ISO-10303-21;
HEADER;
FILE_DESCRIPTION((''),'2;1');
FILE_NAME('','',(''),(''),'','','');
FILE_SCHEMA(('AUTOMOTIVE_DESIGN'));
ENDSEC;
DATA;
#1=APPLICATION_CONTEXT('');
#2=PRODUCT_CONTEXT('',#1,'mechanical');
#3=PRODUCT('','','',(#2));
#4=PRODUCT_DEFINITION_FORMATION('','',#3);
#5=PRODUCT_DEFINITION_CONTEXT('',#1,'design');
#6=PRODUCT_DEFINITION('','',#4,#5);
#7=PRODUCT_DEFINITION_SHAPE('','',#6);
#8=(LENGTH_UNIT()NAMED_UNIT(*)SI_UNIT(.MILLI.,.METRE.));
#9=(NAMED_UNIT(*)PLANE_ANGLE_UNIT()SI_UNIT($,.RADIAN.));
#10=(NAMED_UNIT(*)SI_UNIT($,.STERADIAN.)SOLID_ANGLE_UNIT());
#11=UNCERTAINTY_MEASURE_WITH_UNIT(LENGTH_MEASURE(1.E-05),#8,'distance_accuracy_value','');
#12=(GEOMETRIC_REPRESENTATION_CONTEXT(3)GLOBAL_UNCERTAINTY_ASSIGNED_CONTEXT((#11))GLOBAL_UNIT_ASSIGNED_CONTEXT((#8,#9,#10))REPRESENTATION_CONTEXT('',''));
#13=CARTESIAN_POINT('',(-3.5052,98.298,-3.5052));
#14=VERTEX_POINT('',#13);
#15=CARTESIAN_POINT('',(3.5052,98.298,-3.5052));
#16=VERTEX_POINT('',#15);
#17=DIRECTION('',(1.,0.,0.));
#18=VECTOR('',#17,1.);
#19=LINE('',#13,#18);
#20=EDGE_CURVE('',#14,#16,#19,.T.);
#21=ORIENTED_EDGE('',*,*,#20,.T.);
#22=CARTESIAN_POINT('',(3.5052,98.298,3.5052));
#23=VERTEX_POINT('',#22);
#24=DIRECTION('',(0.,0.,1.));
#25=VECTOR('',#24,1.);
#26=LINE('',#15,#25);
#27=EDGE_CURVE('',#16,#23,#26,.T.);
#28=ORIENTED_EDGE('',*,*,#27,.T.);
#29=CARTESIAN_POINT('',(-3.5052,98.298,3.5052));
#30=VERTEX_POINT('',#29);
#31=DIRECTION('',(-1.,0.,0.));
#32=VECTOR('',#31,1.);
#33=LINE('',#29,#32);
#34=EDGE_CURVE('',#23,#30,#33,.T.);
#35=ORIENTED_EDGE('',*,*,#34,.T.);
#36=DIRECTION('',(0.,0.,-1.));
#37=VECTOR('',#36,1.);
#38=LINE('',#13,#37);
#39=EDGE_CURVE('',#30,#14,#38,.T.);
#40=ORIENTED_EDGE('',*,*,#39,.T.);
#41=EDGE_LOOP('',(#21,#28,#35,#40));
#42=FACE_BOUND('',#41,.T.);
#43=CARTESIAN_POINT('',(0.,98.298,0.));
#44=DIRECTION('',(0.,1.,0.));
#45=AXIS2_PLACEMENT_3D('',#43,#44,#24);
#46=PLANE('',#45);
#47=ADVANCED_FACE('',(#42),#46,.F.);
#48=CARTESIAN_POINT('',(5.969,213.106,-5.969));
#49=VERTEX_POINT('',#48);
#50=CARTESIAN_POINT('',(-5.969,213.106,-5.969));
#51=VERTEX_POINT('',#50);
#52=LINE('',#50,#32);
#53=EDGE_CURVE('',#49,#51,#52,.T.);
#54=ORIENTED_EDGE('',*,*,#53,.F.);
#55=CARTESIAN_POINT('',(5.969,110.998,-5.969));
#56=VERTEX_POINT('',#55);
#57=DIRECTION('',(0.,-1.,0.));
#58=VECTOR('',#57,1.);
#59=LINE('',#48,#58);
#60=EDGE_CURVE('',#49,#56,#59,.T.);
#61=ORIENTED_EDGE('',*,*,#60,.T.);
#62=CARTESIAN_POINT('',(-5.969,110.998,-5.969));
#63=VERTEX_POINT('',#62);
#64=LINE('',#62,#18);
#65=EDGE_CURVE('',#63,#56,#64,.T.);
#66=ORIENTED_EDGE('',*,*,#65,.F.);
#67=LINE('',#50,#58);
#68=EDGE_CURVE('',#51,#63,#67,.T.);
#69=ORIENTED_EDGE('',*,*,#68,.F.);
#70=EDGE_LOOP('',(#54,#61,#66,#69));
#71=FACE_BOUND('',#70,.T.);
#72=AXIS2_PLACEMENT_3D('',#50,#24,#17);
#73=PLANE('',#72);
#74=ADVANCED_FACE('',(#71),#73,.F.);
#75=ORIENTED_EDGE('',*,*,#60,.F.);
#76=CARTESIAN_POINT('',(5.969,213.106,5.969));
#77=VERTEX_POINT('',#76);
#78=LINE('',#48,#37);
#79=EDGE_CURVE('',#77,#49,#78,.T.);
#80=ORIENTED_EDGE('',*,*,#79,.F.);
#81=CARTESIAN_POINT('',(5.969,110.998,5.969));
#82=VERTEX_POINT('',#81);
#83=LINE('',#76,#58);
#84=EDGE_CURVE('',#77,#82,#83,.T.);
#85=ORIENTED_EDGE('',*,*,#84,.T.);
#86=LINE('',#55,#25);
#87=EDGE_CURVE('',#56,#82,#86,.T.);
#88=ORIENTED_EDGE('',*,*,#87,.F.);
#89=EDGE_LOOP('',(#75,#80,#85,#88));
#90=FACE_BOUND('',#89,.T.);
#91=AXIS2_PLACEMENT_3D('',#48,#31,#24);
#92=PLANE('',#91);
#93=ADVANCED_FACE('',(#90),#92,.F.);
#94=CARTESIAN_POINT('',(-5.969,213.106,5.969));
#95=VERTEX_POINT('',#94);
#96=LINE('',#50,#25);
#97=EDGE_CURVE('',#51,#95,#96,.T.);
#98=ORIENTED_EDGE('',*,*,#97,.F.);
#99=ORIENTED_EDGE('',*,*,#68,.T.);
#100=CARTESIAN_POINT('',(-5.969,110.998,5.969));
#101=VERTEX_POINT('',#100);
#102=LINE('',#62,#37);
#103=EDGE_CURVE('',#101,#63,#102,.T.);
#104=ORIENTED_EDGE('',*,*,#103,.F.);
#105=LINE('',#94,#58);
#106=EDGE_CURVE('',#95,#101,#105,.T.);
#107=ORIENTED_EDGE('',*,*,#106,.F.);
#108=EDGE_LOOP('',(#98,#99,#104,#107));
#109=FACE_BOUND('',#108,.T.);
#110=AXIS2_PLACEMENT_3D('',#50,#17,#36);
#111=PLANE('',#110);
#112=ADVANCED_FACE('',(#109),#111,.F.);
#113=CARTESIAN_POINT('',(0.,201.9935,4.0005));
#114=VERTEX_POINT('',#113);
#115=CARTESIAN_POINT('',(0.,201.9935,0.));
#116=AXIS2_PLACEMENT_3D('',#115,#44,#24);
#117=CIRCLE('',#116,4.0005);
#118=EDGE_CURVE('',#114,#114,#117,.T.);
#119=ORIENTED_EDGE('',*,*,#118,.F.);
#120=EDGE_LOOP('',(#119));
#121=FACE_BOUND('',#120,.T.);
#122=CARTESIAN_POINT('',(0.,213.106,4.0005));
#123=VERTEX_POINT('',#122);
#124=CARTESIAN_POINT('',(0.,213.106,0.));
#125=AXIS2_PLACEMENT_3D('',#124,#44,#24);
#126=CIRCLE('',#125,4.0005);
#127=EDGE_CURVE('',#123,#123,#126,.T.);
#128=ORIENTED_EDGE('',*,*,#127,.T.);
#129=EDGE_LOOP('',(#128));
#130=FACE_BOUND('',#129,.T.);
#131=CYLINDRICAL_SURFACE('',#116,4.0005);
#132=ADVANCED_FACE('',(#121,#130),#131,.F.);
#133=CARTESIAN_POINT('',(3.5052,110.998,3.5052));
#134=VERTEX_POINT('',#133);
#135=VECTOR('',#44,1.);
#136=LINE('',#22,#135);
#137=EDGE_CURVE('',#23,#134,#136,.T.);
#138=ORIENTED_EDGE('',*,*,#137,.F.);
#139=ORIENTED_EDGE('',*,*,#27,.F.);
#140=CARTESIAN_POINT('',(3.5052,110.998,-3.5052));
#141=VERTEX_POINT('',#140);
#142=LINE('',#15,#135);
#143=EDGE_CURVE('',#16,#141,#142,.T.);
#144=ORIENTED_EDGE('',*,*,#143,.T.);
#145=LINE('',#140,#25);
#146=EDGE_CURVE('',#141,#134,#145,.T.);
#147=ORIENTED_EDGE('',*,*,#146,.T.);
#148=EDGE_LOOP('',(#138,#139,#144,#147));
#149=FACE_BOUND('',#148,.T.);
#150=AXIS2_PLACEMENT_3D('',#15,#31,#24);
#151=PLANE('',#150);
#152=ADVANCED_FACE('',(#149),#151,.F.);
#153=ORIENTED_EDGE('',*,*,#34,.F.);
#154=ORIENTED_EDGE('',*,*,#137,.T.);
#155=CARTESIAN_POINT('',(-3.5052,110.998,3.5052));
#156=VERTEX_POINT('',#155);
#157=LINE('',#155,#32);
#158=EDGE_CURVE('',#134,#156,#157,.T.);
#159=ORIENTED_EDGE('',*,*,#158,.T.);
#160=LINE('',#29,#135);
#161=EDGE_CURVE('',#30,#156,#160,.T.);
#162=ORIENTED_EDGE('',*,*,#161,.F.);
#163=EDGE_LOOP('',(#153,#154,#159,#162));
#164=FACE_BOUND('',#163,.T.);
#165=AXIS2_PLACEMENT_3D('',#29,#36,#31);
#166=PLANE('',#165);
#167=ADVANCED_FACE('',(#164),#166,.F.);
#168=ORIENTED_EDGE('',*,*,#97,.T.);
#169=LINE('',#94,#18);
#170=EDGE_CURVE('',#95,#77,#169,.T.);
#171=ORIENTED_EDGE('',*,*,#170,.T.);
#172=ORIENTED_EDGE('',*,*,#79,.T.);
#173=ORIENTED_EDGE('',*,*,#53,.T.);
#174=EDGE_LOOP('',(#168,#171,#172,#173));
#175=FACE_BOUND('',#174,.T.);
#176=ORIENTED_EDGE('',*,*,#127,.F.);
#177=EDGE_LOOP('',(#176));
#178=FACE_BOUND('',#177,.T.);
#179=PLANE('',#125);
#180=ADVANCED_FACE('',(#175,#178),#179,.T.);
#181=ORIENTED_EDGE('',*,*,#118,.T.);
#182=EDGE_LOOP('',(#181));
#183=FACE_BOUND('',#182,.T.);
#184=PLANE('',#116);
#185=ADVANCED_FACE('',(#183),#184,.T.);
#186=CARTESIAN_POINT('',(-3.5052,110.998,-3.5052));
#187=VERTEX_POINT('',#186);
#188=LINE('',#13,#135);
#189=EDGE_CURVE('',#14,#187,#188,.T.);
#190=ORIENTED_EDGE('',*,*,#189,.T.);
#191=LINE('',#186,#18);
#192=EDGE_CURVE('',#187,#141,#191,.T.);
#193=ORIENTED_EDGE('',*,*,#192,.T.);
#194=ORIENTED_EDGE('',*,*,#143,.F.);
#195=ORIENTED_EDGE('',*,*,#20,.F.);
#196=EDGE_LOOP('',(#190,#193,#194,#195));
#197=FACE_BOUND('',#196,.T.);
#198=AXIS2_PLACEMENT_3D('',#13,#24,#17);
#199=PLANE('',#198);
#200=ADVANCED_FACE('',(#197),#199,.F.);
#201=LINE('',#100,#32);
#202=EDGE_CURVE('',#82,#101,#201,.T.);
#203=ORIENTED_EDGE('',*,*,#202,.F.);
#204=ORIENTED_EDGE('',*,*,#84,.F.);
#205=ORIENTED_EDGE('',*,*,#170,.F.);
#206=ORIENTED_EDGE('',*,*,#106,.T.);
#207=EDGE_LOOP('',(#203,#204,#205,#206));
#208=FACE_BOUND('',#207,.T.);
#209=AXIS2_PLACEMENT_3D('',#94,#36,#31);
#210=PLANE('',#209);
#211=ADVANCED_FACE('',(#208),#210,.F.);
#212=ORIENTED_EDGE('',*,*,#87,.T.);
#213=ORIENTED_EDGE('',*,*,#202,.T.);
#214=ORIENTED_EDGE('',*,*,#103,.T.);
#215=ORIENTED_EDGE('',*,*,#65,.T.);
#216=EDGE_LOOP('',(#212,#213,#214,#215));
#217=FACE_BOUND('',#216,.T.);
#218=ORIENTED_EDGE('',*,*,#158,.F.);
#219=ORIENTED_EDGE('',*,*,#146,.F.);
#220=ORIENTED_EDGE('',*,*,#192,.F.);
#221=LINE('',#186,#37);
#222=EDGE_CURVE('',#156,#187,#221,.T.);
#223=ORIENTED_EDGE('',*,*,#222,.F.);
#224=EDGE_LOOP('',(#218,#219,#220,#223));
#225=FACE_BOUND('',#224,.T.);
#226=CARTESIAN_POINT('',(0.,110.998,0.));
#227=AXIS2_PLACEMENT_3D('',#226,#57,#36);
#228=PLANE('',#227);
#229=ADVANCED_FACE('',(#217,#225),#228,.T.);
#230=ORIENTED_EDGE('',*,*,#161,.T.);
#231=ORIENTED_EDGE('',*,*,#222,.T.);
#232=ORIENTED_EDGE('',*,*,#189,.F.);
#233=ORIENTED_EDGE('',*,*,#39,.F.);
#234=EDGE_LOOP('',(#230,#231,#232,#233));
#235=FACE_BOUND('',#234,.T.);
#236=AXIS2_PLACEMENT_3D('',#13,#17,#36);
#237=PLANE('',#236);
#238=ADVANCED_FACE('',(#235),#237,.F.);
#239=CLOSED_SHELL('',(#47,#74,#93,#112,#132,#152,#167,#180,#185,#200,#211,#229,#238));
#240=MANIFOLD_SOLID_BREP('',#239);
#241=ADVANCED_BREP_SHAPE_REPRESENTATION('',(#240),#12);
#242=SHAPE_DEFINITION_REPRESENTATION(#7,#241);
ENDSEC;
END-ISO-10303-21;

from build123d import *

# Parameters (mm, degrees)
SKETCH1_W           = 11.938
SKETCH1_H           = 11.938
BOSS_EXTRUDE1_DEPTH = 213.106
SKETCH3_R           = 3.68046
BOSS_EXTRUDE3_DEPTH = 28.575
SKETCH5_R           = 9.137508411
CUT_EXTRUDE1_DEPTH  = 139.573
SKETCH6_W           = 7.0104
SKETCH6_H           = 7.0104
BOSS_EXTRUDE5_DEPTH = 12.7
SKETCH2_R           = 4.0005
CUT_EXTRUDE2_DEPTH  = 11.1125


with BuildPart() as part:
    # Sketch1 → Boss-Extrude1 (new body)
    with BuildSketch(Plane(origin=(0, 0, 0), x_dir=(1, 0, 0), z_dir=(0, 1, 0))):
        Rectangle(SKETCH1_W, SKETCH1_H)
    extrude(amount=BOSS_EXTRUDE1_DEPTH)

    # Sketch3 → Boss-Extrude3 (add)
    with BuildSketch(Plane(origin=(0, 0, 0), x_dir=(-1, 0, 0), z_dir=(0, -1, 0))):
        Circle(SKETCH3_R)
    extrude(amount=BOSS_EXTRUDE3_DEPTH)

    # Sketch5 → Cut-Extrude1 (cut)
    with BuildSketch(Plane(origin=(0, -28.575, 0), x_dir=(-1, 0, 0), z_dir=(0, -1, 0))):
        Circle(SKETCH5_R)
    extrude(amount=-CUT_EXTRUDE1_DEPTH, mode=Mode.SUBTRACT)

    # Sketch6 → Boss-Extrude5 (add)
    with BuildSketch(Plane(origin=(0, 110.998, 0), x_dir=(-1, 0, 0), z_dir=(0, -1, 0))):
        Rectangle(SKETCH6_W, SKETCH6_H)
    extrude(amount=BOSS_EXTRUDE5_DEPTH)

    # Sketch2 → Cut-Extrude2 (cut)
    with BuildSketch(Plane(origin=(0, 213.106, 0), x_dir=(1, 0, 0), z_dir=(0, 1, 0))):
        Circle(SKETCH2_R)
    extrude(amount=-CUT_EXTRUDE2_DEPTH, mode=Mode.SUBTRACT)


solid = part.part
